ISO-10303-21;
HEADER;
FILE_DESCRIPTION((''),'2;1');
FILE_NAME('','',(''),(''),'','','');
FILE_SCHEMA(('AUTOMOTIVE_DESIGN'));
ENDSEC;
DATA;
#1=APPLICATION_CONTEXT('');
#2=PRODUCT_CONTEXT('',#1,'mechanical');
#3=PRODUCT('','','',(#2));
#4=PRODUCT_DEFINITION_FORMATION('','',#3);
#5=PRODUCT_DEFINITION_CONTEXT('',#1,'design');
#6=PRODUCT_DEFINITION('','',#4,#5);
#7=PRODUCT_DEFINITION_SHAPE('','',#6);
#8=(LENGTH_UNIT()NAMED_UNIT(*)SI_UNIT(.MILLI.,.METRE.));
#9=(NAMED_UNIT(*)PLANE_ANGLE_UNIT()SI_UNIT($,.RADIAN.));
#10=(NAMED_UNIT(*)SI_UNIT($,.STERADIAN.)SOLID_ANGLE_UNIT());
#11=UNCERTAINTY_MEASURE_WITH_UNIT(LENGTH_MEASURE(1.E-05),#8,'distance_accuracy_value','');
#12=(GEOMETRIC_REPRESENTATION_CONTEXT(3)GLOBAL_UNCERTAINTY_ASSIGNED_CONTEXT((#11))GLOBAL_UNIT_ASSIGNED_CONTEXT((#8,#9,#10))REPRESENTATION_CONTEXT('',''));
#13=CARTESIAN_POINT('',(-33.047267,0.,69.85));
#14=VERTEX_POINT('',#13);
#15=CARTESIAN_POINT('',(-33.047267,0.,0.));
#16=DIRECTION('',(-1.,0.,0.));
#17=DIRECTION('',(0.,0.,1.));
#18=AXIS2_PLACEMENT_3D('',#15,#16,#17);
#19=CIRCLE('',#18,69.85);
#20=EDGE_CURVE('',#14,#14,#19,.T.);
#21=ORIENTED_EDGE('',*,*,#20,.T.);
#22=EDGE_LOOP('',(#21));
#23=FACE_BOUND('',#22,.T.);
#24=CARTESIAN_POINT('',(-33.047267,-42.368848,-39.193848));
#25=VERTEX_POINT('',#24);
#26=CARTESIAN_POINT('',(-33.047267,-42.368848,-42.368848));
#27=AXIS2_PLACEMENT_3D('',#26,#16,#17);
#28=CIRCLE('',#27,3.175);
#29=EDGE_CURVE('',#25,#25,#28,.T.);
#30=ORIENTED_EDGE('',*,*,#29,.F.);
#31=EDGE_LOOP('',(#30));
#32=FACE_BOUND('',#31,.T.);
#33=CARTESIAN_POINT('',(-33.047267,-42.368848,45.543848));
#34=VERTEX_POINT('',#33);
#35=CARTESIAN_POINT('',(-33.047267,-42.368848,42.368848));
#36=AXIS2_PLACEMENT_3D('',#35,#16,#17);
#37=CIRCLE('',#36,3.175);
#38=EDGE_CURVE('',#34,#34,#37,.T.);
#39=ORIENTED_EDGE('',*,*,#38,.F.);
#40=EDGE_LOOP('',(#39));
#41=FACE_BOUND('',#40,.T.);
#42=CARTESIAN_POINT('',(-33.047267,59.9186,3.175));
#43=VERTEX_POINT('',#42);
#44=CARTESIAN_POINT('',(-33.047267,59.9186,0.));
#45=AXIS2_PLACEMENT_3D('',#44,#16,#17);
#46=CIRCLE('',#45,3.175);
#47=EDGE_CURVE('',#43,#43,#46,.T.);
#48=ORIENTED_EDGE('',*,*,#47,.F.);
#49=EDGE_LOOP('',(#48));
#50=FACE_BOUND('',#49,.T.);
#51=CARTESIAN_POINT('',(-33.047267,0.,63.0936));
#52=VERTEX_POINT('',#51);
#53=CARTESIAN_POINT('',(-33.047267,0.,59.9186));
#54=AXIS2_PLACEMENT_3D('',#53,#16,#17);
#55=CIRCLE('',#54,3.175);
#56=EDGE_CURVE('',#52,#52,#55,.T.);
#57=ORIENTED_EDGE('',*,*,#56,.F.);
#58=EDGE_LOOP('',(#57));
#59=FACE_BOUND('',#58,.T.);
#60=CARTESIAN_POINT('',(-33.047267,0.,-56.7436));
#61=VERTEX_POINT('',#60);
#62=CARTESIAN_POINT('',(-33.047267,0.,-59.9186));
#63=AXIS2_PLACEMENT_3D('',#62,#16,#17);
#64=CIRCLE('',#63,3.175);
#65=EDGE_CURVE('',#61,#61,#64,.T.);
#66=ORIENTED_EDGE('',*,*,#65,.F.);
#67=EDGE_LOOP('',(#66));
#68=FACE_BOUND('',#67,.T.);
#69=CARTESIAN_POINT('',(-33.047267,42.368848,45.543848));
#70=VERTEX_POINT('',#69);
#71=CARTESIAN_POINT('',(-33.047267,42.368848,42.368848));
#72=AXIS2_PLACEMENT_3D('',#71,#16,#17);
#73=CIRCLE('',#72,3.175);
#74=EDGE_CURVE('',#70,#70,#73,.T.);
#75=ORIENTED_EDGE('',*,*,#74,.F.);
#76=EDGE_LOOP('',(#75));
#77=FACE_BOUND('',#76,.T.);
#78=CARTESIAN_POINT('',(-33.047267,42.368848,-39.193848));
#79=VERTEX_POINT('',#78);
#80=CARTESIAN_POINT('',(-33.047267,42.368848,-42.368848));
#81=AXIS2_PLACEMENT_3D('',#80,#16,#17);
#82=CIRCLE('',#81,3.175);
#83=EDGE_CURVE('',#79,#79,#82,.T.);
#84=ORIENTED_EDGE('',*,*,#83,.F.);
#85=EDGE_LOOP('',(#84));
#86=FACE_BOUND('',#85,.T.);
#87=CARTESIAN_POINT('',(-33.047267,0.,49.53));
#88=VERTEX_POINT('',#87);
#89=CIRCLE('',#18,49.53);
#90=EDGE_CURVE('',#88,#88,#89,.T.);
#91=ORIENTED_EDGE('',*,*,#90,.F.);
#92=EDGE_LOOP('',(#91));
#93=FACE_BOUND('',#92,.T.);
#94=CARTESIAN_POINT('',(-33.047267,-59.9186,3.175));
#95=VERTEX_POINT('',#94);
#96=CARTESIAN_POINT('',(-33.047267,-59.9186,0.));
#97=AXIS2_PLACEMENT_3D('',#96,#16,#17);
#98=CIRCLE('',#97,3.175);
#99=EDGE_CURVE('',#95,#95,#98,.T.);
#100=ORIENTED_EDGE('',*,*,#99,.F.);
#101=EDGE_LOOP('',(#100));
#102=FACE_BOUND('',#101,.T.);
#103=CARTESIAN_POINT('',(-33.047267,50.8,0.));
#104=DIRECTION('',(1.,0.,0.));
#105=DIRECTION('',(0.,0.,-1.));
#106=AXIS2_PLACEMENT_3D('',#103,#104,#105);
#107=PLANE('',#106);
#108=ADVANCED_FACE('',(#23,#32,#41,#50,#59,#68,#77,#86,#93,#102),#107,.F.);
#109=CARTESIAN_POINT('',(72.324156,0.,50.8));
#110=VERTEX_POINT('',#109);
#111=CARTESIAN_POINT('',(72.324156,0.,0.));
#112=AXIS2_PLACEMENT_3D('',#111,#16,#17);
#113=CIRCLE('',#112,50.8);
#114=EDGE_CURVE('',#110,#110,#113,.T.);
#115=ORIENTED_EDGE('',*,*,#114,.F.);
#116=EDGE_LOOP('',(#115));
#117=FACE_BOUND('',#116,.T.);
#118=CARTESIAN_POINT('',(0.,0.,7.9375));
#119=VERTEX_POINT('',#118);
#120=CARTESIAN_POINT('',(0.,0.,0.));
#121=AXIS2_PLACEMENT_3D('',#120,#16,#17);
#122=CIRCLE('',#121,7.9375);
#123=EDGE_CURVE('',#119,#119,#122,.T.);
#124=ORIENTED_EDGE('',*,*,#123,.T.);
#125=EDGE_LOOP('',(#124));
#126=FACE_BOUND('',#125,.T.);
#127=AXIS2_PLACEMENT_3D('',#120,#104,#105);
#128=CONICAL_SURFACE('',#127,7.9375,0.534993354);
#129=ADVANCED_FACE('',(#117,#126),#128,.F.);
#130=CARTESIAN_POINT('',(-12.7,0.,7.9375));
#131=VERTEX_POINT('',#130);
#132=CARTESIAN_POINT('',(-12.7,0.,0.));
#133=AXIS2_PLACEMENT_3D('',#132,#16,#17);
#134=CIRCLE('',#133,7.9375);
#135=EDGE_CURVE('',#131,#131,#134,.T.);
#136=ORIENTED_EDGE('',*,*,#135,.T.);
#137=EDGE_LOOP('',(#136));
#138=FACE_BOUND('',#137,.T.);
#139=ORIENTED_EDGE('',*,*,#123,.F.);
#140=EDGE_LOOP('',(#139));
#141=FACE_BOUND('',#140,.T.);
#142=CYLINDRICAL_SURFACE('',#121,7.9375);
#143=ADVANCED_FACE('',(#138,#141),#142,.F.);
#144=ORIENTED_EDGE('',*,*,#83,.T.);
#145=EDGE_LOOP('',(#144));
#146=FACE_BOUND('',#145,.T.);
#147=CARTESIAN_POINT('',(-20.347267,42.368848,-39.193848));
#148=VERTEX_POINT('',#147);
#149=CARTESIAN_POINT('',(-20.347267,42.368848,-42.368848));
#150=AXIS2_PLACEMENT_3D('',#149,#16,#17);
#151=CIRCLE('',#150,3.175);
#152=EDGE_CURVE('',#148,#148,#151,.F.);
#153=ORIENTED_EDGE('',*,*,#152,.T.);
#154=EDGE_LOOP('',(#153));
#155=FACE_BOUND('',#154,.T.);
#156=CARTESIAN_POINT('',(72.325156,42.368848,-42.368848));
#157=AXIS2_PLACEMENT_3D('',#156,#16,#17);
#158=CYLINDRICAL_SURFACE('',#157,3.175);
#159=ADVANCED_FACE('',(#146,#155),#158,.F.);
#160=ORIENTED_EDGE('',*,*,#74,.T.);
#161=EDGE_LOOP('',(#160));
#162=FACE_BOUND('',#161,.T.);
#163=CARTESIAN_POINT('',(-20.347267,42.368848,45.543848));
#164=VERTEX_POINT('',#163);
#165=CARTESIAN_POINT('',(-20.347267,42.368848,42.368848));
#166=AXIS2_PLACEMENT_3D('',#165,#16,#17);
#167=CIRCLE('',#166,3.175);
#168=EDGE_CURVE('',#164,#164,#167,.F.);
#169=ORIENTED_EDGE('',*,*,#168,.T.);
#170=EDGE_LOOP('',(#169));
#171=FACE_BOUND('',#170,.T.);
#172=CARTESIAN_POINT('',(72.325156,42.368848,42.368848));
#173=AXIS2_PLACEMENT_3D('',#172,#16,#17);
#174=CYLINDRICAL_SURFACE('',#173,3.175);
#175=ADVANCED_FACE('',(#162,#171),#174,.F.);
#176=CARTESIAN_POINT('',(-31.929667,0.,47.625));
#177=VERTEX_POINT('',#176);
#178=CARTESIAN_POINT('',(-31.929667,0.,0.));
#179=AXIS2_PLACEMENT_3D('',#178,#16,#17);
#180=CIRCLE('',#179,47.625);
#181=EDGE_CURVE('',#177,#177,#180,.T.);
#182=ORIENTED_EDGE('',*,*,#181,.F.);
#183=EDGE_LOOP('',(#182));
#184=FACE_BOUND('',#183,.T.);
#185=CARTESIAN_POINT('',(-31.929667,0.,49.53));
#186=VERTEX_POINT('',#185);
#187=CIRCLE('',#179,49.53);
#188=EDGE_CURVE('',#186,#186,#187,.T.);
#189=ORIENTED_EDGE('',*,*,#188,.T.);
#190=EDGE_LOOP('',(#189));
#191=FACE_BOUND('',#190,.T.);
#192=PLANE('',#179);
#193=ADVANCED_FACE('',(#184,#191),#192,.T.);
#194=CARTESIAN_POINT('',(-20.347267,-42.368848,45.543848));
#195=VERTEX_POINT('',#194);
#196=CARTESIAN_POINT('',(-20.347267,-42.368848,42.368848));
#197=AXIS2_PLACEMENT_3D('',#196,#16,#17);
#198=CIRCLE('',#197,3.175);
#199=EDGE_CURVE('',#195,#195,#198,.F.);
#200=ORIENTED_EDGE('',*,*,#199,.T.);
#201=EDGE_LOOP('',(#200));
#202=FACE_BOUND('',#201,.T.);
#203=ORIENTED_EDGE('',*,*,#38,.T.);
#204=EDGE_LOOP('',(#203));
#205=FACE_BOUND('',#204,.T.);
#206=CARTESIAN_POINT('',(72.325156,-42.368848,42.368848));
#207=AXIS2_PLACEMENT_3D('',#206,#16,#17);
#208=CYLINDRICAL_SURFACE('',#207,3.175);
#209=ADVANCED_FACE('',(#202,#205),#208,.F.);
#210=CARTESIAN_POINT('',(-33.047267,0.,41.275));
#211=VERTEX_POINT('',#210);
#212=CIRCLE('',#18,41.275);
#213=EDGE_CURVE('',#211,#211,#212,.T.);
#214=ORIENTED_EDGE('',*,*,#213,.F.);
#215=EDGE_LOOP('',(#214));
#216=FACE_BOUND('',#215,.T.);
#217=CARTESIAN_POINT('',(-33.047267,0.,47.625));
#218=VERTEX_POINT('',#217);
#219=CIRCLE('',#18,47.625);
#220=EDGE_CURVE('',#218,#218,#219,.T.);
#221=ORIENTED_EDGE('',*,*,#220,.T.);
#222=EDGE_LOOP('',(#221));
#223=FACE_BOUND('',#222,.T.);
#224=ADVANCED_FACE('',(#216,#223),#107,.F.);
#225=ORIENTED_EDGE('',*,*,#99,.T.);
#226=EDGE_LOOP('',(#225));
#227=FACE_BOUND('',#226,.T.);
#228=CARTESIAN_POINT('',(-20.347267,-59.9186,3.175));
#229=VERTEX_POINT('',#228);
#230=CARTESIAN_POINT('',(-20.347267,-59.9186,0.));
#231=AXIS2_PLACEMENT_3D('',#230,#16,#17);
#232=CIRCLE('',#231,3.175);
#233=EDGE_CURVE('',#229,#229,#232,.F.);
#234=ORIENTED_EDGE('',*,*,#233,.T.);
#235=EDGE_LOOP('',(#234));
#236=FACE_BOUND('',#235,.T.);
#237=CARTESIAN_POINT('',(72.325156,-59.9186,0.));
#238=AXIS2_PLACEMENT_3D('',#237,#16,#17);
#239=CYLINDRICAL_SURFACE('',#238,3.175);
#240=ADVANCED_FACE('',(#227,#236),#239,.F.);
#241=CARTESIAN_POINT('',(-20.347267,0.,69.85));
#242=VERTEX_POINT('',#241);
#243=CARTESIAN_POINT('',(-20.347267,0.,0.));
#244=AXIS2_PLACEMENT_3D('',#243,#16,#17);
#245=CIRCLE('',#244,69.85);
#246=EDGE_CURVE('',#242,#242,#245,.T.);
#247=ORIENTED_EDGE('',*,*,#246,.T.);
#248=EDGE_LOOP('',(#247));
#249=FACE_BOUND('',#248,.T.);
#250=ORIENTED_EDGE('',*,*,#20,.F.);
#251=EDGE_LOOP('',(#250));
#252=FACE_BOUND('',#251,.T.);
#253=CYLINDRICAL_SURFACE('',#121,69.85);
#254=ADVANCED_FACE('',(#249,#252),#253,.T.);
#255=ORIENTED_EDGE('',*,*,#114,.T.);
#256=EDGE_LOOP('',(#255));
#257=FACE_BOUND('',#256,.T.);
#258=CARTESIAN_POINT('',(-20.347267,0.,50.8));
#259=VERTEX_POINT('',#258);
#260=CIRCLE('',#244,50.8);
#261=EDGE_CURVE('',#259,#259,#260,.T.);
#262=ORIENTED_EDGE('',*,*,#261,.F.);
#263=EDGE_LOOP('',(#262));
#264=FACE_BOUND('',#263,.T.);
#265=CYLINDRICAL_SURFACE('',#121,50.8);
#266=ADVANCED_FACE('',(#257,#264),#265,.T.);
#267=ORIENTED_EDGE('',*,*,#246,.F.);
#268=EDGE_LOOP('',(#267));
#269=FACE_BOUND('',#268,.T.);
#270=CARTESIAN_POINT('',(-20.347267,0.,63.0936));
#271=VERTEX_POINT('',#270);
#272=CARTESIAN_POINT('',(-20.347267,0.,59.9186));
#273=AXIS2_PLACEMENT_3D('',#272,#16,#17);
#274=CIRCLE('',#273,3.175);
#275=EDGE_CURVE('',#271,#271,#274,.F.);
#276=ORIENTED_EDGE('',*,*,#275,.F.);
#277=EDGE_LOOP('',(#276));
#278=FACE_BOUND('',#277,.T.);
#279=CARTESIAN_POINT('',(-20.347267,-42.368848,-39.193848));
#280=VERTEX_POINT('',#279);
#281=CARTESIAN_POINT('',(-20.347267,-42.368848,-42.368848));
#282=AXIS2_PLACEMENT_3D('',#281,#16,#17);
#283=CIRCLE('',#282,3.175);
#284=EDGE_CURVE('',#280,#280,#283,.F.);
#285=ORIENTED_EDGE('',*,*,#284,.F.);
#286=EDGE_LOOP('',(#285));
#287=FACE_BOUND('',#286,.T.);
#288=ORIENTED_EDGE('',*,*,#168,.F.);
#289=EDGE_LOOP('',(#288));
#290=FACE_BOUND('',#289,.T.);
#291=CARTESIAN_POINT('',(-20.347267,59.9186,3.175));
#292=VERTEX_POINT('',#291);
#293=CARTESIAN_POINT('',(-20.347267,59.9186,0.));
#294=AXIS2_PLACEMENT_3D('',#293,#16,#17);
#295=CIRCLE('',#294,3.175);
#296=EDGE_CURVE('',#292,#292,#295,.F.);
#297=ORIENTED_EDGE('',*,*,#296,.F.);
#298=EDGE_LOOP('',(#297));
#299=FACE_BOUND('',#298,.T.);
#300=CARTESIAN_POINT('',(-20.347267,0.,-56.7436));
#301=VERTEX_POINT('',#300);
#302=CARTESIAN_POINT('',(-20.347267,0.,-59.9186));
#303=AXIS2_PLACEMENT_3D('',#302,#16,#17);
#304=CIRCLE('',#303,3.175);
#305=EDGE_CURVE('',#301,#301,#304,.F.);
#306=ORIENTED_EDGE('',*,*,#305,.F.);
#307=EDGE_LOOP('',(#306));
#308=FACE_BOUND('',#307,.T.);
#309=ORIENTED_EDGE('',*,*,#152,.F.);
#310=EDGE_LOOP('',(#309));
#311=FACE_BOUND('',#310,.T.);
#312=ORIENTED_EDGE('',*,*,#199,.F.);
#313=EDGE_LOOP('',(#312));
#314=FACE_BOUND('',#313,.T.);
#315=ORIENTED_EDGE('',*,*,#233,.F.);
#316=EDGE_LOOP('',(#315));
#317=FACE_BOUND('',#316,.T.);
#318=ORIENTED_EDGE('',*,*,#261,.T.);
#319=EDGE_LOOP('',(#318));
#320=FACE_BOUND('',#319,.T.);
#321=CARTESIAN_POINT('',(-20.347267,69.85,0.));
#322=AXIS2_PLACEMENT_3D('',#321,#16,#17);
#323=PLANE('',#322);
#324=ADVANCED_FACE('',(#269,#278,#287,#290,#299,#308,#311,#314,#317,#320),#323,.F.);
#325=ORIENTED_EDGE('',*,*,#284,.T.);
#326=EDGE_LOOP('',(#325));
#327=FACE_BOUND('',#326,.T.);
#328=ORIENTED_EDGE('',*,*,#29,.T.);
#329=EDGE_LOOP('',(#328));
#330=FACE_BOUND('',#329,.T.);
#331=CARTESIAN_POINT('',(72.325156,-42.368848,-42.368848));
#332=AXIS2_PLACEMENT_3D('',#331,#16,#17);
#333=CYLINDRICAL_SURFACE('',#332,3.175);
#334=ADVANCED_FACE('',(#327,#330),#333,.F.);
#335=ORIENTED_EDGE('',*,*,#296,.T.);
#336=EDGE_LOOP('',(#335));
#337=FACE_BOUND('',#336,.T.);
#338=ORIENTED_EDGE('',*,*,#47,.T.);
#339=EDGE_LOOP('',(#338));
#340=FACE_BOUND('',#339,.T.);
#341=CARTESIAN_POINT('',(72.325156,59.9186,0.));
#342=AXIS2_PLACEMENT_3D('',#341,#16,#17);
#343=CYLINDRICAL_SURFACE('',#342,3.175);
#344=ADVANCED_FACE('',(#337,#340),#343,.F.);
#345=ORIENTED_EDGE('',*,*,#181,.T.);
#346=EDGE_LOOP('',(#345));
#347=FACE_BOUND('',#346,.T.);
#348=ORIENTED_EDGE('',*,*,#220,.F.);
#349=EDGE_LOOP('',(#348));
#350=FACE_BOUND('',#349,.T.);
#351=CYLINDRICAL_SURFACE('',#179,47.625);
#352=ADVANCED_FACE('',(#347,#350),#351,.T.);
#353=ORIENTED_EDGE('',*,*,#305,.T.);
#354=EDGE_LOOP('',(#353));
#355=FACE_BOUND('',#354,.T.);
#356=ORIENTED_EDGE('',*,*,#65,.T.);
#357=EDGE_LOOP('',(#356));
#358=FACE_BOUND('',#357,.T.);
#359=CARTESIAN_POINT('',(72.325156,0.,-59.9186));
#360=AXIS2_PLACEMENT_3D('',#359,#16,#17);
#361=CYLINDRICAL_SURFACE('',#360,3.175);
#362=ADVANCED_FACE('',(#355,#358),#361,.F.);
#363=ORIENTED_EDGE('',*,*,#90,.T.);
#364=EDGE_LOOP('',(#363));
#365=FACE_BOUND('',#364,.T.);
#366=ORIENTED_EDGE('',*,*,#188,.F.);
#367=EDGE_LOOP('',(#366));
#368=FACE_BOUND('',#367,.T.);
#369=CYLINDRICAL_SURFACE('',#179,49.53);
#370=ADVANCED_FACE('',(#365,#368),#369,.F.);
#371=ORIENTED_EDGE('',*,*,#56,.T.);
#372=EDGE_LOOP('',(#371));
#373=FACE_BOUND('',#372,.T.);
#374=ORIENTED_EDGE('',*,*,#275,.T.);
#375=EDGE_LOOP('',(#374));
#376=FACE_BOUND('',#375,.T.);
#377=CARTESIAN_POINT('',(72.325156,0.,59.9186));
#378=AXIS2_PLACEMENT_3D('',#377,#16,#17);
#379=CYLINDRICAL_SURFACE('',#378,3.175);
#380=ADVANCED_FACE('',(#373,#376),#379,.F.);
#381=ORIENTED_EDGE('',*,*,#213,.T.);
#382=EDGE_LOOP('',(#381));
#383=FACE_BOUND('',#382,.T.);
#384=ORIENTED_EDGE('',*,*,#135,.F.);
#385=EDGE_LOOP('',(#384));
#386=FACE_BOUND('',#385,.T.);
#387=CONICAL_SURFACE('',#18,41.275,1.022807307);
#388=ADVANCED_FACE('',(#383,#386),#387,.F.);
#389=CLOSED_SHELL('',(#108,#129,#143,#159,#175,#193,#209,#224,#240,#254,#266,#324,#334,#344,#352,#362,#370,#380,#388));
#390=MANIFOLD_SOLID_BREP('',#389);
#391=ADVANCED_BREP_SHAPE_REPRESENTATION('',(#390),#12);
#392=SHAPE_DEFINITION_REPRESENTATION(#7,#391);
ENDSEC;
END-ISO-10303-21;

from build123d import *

# Parameters (mm, degrees)
SKETCH2_R          = 49.53
SKETCH2_R_2        = 47.625
CUT_EXTRUDE1_DEPTH = 1.1176
CUT_EXTRUDE2_REACH = 107.371
SKETCH3_R          = 3.175


with BuildPart() as part:
    # Sketch1 → Revolve1 (revolve)
    with BuildSketch(Plane.XY):
        Polygon((0, 7.9375), (72.324156056, 50.8), (-20.347266862, 50.8), (-20.347266862, 69.85), (-33.047266862, 69.85), (-33.047266862, 50.8), (-33.047266862, 41.275), (-12.7, 7.9375), align=None)
    revolve(axis=Axis((0, 0, 0), (1, 0, 0)))

    # Sketch2 → Cut-Extrude1 (cut)
    with BuildSketch(Plane.ZY.offset(33.047266862)):
        Circle(SKETCH2_R)
        Circle(SKETCH2_R_2, mode=Mode.SUBTRACT)
    extrude(amount=-CUT_EXTRUDE1_DEPTH, mode=Mode.SUBTRACT)

    # Sketch3 → Cut-Extrude2 (cut, up to next)
    with BuildSketch(Plane.ZY.offset(33.047266862), mode=Mode.PRIVATE) as cut_extrude2_sk1:
        with Locations((0, 59.9186)):
            Circle(SKETCH3_R)
    cut_extrude2_tool1 = extrude(cut_extrude2_sk1.sketch, amount=-CUT_EXTRUDE2_REACH, mode=Mode.PRIVATE) & part.part
    add(cut_extrude2_tool1.solids().sort_by_distance((-33.047267, 59.9186, 0))[0], mode=Mode.SUBTRACT)
    # Sketch3 → Cut-Extrude2 (cut, up to next)
    with BuildSketch(Plane.ZY.offset(33.047266862), mode=Mode.PRIVATE) as cut_extrude2_sk2:
        with Locations((42.368848379, 42.368848379)):
            Circle(SKETCH3_R)
    cut_extrude2_tool2 = extrude(cut_extrude2_sk2.sketch, amount=-CUT_EXTRUDE2_REACH, mode=Mode.PRIVATE) & part.part
    add(cut_extrude2_tool2.solids().sort_by_distance((-33.047267, 42.368848, 42.368848))[0], mode=Mode.SUBTRACT)
    # Sketch3 → Cut-Extrude2 (cut, up to next)
    with BuildSketch(Plane.ZY.offset(33.047266862), mode=Mode.PRIVATE) as cut_extrude2_sk3:
        with Locations((59.9186, 0)):
            Circle(SKETCH3_R)
    cut_extrude2_tool3 = extrude(cut_extrude2_sk3.sketch, amount=-CUT_EXTRUDE2_REACH, mode=Mode.PRIVATE) & part.part
    add(cut_extrude2_tool3.solids().sort_by_distance((-33.047267, 0, 59.9186))[0], mode=Mode.SUBTRACT)
    # Sketch3 → Cut-Extrude2 (cut, up to next)
    with BuildSketch(Plane.ZY.offset(33.047266862), mode=Mode.PRIVATE) as cut_extrude2_sk4:
        with Locations((42.368848379, -42.368848379)):
            Circle(SKETCH3_R)
    cut_extrude2_tool4 = extrude(cut_extrude2_sk4.sketch, amount=-CUT_EXTRUDE2_REACH, mode=Mode.PRIVATE) & part.part
    add(cut_extrude2_tool4.solids().sort_by_distance((-33.047267, -42.368848, 42.368848))[0], mode=Mode.SUBTRACT)
    # Sketch3 → Cut-Extrude2 (cut, up to next)
    with BuildSketch(Plane.ZY.offset(33.047266862), mode=Mode.PRIVATE) as cut_extrude2_sk5:
        with Locations((0, -59.9186)):
            Circle(SKETCH3_R)
    cut_extrude2_tool5 = extrude(cut_extrude2_sk5.sketch, amount=-CUT_EXTRUDE2_REACH, mode=Mode.PRIVATE) & part.part
    add(cut_extrude2_tool5.solids().sort_by_distance((-33.047267, -59.9186, 0))[0], mode=Mode.SUBTRACT)
    # Sketch3 → Cut-Extrude2 (cut, up to next)
    with BuildSketch(Plane.ZY.offset(33.047266862), mode=Mode.PRIVATE) as cut_extrude2_sk6:
        with Locations((-42.368848379, -42.368848379)):
            Circle(SKETCH3_R)
    cut_extrude2_tool6 = extrude(cut_extrude2_sk6.sketch, amount=-CUT_EXTRUDE2_REACH, mode=Mode.PRIVATE) & part.part
    add(cut_extrude2_tool6.solids().sort_by_distance((-33.047267, -42.368848, -42.368848))[0], mode=Mode.SUBTRACT)
    # Sketch3 → Cut-Extrude2 (cut, up to next)
    with BuildSketch(Plane.ZY.offset(33.047266862), mode=Mode.PRIVATE) as cut_extrude2_sk7:
        with Locations((-59.9186, 0)):
            Circle(SKETCH3_R)
    cut_extrude2_tool7 = extrude(cut_extrude2_sk7.sketch, amount=-CUT_EXTRUDE2_REACH, mode=Mode.PRIVATE) & part.part
    add(cut_extrude2_tool7.solids().sort_by_distance((-33.047267, 0, -59.9186))[0], mode=Mode.SUBTRACT)
    # Sketch3 → Cut-Extrude2 (cut, up to next)
    with BuildSketch(Plane.ZY.offset(33.047266862), mode=Mode.PRIVATE) as cut_extrude2_sk8:
        with Locations((-42.368848379, 42.368848379)):
            Circle(SKETCH3_R)
    cut_extrude2_tool8 = extrude(cut_extrude2_sk8.sketch, amount=-CUT_EXTRUDE2_REACH, mode=Mode.PRIVATE) & part.part
    add(cut_extrude2_tool8.solids().sort_by_distance((-33.047267, 42.368848, -42.368848))[0], mode=Mode.SUBTRACT)


solid = part.part
